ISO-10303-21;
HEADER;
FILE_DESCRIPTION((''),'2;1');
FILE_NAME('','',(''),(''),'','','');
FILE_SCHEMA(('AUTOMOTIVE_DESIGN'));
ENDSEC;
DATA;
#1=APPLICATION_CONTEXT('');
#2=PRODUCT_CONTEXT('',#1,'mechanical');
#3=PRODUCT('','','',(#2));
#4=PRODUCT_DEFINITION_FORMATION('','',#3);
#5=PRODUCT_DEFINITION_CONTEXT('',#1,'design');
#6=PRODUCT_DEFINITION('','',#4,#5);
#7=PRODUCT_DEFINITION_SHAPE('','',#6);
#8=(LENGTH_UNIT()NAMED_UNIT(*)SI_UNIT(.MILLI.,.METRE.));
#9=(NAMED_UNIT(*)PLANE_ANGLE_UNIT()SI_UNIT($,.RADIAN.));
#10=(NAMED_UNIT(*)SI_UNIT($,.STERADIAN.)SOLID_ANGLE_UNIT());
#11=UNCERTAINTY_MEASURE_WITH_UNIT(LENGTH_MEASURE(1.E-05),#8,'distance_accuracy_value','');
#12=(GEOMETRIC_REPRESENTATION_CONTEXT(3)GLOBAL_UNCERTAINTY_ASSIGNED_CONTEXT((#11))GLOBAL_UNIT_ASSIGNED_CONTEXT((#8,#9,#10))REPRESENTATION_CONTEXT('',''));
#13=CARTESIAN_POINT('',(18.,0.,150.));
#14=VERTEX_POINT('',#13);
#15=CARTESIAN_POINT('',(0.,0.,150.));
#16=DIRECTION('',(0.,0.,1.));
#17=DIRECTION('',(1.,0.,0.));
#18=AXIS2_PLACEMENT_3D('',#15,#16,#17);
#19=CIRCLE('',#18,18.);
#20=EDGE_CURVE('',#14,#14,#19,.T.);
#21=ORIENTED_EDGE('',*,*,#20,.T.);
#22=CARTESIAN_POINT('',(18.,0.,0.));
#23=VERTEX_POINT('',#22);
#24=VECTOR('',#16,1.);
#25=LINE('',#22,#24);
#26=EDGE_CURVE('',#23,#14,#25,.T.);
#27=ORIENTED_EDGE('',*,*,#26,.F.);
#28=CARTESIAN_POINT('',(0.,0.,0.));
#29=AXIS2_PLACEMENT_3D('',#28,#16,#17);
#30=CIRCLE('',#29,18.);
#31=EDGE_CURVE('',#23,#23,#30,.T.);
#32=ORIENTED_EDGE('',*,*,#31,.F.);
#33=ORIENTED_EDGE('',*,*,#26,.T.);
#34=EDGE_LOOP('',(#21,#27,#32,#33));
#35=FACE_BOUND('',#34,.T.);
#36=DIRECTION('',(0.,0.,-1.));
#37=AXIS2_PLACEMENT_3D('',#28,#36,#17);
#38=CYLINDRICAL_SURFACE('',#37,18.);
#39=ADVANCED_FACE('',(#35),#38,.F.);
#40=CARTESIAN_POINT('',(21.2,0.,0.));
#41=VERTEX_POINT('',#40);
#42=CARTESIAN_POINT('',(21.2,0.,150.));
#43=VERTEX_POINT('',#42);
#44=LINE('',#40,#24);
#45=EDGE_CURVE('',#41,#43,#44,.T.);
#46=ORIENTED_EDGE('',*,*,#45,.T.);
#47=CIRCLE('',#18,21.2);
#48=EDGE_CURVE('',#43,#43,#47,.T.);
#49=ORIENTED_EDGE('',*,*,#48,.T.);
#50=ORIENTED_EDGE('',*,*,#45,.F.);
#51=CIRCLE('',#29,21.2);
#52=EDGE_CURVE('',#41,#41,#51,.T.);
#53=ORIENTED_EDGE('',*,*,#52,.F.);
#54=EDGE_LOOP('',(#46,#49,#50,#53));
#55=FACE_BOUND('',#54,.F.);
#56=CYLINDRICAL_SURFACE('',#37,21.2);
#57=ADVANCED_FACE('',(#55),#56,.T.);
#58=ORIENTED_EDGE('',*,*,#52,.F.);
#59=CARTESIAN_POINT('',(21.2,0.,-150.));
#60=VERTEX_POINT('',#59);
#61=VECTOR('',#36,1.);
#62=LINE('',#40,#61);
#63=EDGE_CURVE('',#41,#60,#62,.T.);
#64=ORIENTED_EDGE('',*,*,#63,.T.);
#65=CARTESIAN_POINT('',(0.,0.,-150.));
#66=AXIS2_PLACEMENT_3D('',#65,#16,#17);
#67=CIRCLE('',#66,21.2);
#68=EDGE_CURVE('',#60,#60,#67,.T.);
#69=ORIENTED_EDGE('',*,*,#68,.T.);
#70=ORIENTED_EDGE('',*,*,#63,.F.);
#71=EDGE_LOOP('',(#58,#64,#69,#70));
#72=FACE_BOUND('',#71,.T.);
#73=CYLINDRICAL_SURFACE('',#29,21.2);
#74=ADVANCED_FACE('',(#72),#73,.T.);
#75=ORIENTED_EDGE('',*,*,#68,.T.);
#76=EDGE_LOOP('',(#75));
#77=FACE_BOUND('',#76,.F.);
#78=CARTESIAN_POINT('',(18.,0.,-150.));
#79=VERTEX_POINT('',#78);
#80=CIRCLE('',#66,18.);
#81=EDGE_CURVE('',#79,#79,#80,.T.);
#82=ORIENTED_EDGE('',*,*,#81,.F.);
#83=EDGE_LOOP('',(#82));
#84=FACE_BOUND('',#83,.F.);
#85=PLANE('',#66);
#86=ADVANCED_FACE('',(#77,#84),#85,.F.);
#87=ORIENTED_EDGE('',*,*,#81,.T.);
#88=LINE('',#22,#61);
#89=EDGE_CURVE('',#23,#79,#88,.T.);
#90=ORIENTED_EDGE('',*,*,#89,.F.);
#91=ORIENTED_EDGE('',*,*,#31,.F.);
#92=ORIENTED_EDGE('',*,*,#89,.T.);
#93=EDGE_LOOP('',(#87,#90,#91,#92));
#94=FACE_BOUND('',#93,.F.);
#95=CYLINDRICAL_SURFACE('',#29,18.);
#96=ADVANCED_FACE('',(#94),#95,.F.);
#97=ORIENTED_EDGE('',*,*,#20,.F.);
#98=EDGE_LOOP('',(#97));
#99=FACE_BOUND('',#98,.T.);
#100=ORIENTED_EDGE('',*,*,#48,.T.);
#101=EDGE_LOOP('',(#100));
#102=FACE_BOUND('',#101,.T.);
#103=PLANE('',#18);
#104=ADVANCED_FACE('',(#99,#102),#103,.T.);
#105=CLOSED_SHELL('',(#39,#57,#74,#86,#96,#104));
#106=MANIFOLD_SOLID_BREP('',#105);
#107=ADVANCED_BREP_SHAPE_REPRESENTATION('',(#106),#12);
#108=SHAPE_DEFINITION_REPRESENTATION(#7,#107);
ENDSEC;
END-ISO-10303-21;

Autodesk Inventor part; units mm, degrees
ref_plane "YZ Plane" through (0, 0, 0) normal (1, 0, 0) x (0, 1, 0)
ref_plane "XZ Plane" through (0, 0, 0) normal (0, 1, 0) x (-1, 0, 0)
ref_plane "XY Plane" through (0, 0, 0) normal (0, 0, 1) x (1, 0, 0)
sketch "Sketch1" plane through (0, 0, 0) normal (0, 0, 1) x (1, 0, 0)
  circle A0 centre (0, 0) radius 21.2
  circle A1 centre (0, 0) radius 18
  dimension "OD" = 42.4
  dimension "t" = 3.2
extrude "Extrusion1" add sketch "Sketch1" along normal mid plane 300
equation "\"size\" = 7"
properties part number "iTube"
